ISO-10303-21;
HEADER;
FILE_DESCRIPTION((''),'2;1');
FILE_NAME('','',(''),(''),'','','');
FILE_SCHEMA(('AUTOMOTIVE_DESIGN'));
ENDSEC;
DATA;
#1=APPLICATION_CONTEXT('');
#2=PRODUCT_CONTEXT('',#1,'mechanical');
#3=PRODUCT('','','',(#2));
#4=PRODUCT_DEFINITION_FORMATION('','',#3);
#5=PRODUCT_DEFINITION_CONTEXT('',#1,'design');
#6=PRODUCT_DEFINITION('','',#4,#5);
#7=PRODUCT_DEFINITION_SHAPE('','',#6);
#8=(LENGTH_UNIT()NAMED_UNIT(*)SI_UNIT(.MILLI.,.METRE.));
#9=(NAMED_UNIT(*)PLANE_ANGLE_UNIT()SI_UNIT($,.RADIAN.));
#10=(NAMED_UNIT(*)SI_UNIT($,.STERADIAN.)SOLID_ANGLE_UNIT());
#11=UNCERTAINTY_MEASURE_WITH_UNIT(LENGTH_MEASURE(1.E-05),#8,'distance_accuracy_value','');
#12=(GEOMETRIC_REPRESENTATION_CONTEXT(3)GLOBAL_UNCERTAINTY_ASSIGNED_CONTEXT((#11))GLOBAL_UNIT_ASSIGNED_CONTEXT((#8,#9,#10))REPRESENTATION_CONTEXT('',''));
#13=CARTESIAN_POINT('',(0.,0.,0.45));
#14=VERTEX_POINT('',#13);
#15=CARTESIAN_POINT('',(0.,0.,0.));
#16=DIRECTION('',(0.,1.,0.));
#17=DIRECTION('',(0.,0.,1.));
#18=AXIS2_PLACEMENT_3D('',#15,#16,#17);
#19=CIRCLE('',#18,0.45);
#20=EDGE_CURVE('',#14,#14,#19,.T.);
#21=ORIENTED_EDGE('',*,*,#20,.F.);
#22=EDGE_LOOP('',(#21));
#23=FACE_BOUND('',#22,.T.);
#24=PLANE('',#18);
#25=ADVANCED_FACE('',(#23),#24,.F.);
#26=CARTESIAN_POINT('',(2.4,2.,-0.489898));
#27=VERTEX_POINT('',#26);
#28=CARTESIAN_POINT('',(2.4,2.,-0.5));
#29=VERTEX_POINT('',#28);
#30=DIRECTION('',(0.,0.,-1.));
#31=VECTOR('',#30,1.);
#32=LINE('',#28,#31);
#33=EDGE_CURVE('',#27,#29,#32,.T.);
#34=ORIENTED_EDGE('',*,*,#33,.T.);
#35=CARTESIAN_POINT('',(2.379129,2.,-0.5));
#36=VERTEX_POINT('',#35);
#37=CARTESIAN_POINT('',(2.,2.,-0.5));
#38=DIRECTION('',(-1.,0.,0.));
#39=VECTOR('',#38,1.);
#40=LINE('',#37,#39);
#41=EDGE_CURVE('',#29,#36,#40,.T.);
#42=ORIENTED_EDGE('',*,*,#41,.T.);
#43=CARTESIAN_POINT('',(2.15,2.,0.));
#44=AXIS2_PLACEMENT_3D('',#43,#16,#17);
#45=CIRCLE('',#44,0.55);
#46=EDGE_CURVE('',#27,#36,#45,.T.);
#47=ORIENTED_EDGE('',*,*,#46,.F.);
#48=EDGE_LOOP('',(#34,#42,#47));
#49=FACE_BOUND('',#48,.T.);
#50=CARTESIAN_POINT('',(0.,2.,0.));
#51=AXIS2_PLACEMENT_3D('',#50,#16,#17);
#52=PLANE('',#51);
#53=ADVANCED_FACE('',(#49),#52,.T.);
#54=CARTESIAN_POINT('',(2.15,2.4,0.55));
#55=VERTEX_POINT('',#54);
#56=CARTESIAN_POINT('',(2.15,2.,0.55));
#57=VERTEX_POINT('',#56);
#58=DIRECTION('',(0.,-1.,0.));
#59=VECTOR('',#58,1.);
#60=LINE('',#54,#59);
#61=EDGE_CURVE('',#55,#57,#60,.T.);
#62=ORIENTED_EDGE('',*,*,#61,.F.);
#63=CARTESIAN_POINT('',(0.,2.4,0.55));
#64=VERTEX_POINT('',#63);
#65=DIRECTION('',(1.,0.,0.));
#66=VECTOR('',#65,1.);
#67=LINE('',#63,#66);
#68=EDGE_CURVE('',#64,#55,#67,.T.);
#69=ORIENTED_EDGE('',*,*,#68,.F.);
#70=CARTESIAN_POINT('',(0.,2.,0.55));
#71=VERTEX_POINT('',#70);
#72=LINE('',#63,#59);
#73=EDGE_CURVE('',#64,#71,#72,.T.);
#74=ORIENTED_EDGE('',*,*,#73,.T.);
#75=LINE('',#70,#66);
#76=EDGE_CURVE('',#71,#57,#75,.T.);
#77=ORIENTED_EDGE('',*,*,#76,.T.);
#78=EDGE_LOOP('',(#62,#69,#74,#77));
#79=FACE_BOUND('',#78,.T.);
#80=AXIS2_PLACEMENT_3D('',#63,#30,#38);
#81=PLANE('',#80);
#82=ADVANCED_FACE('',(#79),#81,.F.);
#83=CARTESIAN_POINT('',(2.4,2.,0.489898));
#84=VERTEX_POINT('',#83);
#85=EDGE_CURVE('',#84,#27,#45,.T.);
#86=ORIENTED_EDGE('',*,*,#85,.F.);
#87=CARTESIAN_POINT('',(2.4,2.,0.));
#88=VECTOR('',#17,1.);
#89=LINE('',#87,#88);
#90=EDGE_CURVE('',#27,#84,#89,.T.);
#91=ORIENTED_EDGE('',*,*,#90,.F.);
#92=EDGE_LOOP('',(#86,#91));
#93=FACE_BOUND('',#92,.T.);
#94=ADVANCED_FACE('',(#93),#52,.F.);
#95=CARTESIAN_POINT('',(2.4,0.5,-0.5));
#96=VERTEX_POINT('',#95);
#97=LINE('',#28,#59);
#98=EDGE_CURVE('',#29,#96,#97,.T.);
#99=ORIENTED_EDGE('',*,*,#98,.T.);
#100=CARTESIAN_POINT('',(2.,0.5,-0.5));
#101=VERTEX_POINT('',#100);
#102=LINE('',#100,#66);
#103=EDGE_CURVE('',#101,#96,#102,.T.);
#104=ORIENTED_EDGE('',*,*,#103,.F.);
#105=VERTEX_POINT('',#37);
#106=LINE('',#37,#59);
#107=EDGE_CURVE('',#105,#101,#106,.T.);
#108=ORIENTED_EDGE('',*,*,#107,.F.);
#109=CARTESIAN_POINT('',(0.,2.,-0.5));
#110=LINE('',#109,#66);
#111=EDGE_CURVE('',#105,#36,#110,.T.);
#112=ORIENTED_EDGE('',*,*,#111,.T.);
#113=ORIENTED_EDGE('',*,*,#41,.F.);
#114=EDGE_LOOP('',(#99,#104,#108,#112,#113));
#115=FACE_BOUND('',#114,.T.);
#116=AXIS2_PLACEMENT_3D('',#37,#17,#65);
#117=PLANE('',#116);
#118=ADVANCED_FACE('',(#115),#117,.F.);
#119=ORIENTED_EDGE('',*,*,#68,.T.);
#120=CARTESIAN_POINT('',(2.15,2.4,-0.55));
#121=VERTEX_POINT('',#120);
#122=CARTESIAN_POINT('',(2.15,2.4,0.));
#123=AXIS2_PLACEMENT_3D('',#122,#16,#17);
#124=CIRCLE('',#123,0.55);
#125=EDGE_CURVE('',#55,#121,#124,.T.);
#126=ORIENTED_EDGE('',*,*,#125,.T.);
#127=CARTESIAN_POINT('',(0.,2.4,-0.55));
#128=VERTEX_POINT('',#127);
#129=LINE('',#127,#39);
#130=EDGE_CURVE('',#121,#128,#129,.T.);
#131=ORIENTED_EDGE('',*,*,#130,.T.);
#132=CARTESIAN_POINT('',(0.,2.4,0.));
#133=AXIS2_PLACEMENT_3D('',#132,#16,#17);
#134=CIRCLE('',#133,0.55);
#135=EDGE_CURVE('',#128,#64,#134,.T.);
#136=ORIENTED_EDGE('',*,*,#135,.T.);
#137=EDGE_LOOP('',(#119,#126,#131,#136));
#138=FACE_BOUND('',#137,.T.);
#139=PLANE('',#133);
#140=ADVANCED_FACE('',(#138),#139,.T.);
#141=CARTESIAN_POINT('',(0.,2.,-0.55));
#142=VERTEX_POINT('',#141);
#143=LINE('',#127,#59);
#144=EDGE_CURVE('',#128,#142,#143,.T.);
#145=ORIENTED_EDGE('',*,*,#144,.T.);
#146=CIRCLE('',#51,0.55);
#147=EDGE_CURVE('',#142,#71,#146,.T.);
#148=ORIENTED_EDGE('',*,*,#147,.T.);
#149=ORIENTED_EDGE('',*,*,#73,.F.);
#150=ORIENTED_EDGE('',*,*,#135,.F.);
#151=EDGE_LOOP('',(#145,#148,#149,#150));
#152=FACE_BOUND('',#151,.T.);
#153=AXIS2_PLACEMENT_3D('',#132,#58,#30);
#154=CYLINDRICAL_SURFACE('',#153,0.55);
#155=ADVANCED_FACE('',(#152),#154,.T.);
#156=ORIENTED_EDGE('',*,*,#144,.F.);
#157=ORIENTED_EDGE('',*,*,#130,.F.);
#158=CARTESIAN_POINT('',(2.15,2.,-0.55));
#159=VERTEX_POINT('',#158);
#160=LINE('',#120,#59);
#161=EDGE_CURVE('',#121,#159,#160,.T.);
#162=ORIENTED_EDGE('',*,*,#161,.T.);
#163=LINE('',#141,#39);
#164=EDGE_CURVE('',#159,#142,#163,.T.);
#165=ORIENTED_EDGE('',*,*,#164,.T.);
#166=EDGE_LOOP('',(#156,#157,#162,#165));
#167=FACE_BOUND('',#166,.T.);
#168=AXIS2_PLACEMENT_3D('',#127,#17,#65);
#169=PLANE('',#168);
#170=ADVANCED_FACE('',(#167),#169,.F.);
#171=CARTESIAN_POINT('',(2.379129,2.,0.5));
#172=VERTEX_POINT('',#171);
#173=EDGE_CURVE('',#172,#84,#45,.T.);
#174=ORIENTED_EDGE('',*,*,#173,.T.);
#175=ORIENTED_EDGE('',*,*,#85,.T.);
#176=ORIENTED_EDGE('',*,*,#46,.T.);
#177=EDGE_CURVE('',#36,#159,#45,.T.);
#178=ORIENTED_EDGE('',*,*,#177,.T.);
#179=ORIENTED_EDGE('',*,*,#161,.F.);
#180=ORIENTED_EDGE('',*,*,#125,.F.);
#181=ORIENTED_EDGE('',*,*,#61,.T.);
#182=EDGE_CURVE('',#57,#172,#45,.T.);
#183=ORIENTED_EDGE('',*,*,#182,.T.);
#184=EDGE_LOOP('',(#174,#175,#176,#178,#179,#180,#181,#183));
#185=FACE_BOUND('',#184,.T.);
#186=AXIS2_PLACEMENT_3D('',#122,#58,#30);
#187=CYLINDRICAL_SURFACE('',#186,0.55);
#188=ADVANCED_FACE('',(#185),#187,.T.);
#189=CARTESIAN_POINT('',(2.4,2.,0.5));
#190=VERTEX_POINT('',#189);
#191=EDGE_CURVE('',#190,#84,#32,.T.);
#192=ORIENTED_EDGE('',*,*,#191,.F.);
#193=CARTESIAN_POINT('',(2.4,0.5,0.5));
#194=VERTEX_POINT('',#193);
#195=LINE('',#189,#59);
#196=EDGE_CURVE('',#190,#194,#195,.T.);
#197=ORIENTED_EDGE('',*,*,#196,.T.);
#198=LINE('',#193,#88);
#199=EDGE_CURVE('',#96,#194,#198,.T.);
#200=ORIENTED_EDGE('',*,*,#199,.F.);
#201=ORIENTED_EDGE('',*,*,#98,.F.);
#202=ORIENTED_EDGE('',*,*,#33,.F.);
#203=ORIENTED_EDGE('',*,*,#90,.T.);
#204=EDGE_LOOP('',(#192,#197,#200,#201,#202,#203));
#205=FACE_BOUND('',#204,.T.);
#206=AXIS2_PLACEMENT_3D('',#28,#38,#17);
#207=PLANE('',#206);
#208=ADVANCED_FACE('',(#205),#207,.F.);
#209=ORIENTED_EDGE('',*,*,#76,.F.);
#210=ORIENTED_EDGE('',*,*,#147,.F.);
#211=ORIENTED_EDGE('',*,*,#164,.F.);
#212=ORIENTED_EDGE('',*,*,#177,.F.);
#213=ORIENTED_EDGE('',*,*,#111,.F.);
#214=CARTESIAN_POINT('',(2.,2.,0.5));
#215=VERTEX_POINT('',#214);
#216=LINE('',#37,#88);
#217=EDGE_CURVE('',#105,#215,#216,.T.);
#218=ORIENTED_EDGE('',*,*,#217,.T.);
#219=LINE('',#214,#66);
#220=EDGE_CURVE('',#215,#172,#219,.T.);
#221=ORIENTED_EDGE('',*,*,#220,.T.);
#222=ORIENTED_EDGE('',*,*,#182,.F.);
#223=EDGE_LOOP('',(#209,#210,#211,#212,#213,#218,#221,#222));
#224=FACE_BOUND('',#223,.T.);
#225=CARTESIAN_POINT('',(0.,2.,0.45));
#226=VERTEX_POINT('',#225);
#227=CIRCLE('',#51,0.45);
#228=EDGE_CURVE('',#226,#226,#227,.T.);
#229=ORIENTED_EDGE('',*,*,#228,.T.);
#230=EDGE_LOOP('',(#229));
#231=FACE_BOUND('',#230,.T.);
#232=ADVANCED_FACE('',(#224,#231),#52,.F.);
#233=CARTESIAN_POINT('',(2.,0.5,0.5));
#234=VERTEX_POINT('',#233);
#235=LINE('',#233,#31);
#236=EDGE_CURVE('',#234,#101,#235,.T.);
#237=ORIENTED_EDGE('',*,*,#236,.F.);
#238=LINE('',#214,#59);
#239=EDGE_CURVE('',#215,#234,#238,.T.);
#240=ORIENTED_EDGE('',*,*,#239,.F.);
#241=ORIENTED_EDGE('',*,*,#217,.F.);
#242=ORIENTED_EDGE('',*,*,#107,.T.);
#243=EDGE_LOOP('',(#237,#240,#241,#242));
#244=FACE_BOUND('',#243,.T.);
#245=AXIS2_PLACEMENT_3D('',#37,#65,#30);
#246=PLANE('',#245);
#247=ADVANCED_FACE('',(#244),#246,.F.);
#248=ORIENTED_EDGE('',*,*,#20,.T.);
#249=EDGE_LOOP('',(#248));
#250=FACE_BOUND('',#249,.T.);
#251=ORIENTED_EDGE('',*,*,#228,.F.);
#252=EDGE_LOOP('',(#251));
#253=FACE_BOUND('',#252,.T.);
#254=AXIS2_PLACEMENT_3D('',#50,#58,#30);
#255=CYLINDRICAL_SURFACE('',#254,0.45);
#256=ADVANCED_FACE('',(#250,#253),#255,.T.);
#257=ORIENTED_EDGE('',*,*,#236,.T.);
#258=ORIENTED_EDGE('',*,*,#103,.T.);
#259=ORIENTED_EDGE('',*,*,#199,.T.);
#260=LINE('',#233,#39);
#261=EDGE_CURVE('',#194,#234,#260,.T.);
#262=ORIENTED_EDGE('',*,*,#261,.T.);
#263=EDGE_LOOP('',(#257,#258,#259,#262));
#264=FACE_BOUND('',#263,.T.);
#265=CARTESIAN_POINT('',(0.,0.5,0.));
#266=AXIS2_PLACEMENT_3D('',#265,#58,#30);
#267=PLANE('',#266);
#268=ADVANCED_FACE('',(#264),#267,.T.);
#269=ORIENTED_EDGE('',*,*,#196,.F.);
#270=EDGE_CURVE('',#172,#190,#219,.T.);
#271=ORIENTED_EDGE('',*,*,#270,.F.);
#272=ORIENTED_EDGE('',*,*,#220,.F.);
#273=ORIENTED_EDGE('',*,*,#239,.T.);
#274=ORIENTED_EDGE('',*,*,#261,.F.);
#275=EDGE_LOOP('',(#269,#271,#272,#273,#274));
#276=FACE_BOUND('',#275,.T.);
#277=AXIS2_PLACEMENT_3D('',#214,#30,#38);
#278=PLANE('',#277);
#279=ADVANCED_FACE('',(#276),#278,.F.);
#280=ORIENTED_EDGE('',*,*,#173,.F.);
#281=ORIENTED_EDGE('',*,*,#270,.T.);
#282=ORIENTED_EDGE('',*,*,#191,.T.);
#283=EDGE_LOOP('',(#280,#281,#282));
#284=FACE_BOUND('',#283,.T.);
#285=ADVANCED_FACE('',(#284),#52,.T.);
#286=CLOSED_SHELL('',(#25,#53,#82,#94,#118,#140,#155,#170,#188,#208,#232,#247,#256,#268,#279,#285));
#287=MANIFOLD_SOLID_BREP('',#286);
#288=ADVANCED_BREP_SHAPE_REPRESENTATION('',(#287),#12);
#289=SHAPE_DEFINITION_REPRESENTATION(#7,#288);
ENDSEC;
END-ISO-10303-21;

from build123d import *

# Parameters (mm, degrees)
SKETCH1_R             = 0.45
BOSS_EXTRUDE1_DEPTH   = 2
SKETCH1_W             = 0.4
SKETCH1_H             = 1
BOSS_EXTRUDE1_2_DEPTH = 2
BOSS_EXTRUDE2_DEPTH   = 0.4
SKETCH3_W             = 0.4
SKETCH3_H             = 1
CUT_EXTRUDE1_DEPTH    = 0.5


with BuildPart() as part:
    # Sketch1 → Boss-Extrude1 (new body)
    with BuildSketch(Plane(origin=(0, 0, 0), x_dir=(1, 0, 0), z_dir=(0, 1, 0))):
        Circle(SKETCH1_R)
    extrude(amount=BOSS_EXTRUDE1_DEPTH)



with BuildPart() as body_2:
    # Sketch1 → Boss-Extrude1 2 (new body)
    with BuildSketch(Plane(origin=(0, 0, 0), x_dir=(1, 0, 0), z_dir=(0, 1, 0))):
        with Locations((2.2, 0)):
            Rectangle(SKETCH1_W, SKETCH1_H)
    extrude(amount=BOSS_EXTRUDE1_2_DEPTH)


with BuildPart() as part_1:
    add(part.part)

    add(body_2.part)  # Boss-Extrude2 merges body 2
    # Sketch2 → Boss-Extrude2 (add)
    with BuildSketch(Plane(origin=(0, 2, 0), x_dir=(1, 0, 0), z_dir=(0, 1, 0))):
        with BuildLine():
            Line((0, 0.55), (2.15, 0.55))
            ThreePointArc((2.15, 0.55), (2.7, 0), (2.15, -0.55))
            Line((2.15, -0.55), (0, -0.55))
            ThreePointArc((0, -0.55), (-0.55, 0), (0, 0.55))
        make_face()
    extrude(amount=BOSS_EXTRUDE2_DEPTH)

    # Sketch3 → Cut-Extrude1 (cut)
    with BuildSketch(Plane.XZ):
        with Locations((2.2, 0)):
            Rectangle(SKETCH3_W, SKETCH3_H)
    extrude(amount=-CUT_EXTRUDE1_DEPTH, mode=Mode.SUBTRACT)


solid = part_1.part
